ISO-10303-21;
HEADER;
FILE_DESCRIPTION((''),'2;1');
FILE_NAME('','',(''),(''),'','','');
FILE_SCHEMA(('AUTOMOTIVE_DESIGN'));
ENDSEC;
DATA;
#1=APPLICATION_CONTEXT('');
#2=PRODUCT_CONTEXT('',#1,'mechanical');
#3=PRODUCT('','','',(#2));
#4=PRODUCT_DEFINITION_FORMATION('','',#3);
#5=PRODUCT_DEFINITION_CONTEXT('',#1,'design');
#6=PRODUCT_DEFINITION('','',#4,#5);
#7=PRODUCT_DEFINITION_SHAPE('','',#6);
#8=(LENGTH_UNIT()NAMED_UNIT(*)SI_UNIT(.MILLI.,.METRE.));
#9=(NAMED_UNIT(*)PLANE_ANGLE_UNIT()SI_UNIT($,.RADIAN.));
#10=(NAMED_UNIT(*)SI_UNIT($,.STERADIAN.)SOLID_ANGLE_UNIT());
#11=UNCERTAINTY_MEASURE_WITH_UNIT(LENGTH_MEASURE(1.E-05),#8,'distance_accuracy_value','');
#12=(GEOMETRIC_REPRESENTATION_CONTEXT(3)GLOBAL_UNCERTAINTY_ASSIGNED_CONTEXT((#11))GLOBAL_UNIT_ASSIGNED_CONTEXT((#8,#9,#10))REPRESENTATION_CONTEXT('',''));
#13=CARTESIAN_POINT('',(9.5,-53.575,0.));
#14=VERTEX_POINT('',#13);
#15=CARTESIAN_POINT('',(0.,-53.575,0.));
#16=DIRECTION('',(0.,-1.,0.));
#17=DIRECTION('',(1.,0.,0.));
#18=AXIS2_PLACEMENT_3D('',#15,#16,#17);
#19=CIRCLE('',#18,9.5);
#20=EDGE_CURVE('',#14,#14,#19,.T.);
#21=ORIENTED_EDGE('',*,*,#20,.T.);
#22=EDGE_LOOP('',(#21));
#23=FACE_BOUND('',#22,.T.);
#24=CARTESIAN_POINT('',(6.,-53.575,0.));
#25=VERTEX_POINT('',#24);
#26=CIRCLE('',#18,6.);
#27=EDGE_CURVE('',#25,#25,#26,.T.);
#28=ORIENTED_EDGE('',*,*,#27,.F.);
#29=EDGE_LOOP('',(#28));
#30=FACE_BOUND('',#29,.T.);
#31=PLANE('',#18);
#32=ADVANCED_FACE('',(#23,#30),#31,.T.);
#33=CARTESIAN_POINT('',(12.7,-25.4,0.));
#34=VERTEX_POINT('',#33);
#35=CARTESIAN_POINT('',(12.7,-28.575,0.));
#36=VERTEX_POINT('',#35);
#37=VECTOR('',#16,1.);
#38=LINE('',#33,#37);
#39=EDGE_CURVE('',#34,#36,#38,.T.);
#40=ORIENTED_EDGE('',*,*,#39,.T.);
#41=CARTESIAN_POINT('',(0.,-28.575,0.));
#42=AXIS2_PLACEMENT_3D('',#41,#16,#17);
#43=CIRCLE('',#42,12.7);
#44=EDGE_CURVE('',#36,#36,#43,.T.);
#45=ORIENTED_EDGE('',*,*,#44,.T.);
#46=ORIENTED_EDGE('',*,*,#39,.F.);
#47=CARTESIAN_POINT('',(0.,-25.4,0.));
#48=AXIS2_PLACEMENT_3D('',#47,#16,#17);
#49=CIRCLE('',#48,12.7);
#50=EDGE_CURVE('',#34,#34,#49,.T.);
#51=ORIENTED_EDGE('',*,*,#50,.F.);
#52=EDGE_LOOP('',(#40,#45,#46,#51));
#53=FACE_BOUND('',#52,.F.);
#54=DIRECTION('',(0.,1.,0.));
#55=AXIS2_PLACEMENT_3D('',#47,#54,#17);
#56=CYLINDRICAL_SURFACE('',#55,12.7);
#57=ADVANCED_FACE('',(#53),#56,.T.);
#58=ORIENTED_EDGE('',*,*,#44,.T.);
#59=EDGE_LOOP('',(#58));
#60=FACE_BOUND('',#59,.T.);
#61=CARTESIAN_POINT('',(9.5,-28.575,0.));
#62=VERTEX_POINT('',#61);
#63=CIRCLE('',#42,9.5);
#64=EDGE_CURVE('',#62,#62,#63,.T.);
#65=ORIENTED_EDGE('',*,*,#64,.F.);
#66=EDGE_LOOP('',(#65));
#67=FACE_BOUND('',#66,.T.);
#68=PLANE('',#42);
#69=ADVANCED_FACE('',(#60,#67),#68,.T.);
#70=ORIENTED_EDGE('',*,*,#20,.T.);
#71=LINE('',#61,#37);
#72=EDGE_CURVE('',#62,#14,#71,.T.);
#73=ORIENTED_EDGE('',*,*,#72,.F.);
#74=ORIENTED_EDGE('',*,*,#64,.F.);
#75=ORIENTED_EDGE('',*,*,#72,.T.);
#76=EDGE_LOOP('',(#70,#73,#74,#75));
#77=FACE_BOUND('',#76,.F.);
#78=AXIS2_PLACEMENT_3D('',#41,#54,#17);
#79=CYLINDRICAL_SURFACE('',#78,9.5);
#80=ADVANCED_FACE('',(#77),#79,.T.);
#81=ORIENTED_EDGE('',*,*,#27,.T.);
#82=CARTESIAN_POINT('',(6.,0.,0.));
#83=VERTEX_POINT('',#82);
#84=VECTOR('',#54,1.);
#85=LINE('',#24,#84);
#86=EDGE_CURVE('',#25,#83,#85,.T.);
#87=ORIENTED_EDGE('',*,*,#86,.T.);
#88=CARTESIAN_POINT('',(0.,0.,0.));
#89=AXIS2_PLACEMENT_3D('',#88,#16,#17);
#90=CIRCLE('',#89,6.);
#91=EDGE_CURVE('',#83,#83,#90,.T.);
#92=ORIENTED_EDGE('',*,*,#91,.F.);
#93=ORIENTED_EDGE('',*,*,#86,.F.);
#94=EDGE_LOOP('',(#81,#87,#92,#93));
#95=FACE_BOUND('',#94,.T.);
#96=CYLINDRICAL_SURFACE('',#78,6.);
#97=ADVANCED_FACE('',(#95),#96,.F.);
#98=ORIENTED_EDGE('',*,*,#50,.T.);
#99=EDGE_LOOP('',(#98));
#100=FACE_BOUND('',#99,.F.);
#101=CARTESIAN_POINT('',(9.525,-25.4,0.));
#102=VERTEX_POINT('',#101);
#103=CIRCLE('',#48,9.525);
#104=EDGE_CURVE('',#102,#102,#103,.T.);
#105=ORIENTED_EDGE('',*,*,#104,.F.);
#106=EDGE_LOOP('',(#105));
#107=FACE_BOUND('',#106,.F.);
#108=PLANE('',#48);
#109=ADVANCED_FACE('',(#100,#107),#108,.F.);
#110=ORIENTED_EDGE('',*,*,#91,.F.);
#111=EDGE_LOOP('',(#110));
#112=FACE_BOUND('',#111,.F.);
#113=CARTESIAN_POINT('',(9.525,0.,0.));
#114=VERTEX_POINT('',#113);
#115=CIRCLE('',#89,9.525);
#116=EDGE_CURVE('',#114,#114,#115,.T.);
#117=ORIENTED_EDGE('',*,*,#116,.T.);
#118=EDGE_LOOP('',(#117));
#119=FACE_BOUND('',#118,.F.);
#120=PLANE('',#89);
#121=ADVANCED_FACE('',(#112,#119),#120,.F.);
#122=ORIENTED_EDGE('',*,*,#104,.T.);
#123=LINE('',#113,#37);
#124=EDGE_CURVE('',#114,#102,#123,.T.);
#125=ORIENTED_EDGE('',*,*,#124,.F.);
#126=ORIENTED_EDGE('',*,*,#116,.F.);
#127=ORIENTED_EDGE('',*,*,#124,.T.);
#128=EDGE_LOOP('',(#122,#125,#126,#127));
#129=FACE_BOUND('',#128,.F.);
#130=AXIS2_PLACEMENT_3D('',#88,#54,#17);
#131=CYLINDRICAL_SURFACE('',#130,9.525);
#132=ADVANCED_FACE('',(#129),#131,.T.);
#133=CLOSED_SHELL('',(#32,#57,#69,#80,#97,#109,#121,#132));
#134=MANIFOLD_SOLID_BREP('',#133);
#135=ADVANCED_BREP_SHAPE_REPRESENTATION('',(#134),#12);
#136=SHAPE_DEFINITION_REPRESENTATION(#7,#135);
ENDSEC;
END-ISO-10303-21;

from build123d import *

# Parameters (mm, degrees)
F0_R     = 9.525
F0_R_2   = 6
F1_DEPTH = 25.4
F2_R     = 12.7
F2_R_2   = 9.525
F2_R_3   = 6
F3_DEPTH = 3.175
F4_R     = 9.5
F4_R_2   = 6
F5_DEPTH = 25


with BuildPart() as f1:
    # F0 (on Front) → F1 (new body)
    with BuildSketch(Plane.XZ):
        Circle(F0_R)
        Circle(F0_R_2, mode=Mode.SUBTRACT)
    extrude(amount=F1_DEPTH)

    # F2 (on face) → F3 (join)
    with BuildSketch(Plane.XZ.offset(25.4)):
        Circle(F2_R)
        Circle(F2_R_2, mode=Mode.SUBTRACT)
        Circle(F2_R_2)
        Circle(F2_R_3, mode=Mode.SUBTRACT)
    extrude(amount=F3_DEPTH)

    # F4 (on face) → F5 (join)
    with BuildSketch(Plane.XZ.offset(28.575)):
        Circle(F4_R)
        Circle(F4_R_2, mode=Mode.SUBTRACT)
    extrude(amount=F5_DEPTH)


solid = f1.part
